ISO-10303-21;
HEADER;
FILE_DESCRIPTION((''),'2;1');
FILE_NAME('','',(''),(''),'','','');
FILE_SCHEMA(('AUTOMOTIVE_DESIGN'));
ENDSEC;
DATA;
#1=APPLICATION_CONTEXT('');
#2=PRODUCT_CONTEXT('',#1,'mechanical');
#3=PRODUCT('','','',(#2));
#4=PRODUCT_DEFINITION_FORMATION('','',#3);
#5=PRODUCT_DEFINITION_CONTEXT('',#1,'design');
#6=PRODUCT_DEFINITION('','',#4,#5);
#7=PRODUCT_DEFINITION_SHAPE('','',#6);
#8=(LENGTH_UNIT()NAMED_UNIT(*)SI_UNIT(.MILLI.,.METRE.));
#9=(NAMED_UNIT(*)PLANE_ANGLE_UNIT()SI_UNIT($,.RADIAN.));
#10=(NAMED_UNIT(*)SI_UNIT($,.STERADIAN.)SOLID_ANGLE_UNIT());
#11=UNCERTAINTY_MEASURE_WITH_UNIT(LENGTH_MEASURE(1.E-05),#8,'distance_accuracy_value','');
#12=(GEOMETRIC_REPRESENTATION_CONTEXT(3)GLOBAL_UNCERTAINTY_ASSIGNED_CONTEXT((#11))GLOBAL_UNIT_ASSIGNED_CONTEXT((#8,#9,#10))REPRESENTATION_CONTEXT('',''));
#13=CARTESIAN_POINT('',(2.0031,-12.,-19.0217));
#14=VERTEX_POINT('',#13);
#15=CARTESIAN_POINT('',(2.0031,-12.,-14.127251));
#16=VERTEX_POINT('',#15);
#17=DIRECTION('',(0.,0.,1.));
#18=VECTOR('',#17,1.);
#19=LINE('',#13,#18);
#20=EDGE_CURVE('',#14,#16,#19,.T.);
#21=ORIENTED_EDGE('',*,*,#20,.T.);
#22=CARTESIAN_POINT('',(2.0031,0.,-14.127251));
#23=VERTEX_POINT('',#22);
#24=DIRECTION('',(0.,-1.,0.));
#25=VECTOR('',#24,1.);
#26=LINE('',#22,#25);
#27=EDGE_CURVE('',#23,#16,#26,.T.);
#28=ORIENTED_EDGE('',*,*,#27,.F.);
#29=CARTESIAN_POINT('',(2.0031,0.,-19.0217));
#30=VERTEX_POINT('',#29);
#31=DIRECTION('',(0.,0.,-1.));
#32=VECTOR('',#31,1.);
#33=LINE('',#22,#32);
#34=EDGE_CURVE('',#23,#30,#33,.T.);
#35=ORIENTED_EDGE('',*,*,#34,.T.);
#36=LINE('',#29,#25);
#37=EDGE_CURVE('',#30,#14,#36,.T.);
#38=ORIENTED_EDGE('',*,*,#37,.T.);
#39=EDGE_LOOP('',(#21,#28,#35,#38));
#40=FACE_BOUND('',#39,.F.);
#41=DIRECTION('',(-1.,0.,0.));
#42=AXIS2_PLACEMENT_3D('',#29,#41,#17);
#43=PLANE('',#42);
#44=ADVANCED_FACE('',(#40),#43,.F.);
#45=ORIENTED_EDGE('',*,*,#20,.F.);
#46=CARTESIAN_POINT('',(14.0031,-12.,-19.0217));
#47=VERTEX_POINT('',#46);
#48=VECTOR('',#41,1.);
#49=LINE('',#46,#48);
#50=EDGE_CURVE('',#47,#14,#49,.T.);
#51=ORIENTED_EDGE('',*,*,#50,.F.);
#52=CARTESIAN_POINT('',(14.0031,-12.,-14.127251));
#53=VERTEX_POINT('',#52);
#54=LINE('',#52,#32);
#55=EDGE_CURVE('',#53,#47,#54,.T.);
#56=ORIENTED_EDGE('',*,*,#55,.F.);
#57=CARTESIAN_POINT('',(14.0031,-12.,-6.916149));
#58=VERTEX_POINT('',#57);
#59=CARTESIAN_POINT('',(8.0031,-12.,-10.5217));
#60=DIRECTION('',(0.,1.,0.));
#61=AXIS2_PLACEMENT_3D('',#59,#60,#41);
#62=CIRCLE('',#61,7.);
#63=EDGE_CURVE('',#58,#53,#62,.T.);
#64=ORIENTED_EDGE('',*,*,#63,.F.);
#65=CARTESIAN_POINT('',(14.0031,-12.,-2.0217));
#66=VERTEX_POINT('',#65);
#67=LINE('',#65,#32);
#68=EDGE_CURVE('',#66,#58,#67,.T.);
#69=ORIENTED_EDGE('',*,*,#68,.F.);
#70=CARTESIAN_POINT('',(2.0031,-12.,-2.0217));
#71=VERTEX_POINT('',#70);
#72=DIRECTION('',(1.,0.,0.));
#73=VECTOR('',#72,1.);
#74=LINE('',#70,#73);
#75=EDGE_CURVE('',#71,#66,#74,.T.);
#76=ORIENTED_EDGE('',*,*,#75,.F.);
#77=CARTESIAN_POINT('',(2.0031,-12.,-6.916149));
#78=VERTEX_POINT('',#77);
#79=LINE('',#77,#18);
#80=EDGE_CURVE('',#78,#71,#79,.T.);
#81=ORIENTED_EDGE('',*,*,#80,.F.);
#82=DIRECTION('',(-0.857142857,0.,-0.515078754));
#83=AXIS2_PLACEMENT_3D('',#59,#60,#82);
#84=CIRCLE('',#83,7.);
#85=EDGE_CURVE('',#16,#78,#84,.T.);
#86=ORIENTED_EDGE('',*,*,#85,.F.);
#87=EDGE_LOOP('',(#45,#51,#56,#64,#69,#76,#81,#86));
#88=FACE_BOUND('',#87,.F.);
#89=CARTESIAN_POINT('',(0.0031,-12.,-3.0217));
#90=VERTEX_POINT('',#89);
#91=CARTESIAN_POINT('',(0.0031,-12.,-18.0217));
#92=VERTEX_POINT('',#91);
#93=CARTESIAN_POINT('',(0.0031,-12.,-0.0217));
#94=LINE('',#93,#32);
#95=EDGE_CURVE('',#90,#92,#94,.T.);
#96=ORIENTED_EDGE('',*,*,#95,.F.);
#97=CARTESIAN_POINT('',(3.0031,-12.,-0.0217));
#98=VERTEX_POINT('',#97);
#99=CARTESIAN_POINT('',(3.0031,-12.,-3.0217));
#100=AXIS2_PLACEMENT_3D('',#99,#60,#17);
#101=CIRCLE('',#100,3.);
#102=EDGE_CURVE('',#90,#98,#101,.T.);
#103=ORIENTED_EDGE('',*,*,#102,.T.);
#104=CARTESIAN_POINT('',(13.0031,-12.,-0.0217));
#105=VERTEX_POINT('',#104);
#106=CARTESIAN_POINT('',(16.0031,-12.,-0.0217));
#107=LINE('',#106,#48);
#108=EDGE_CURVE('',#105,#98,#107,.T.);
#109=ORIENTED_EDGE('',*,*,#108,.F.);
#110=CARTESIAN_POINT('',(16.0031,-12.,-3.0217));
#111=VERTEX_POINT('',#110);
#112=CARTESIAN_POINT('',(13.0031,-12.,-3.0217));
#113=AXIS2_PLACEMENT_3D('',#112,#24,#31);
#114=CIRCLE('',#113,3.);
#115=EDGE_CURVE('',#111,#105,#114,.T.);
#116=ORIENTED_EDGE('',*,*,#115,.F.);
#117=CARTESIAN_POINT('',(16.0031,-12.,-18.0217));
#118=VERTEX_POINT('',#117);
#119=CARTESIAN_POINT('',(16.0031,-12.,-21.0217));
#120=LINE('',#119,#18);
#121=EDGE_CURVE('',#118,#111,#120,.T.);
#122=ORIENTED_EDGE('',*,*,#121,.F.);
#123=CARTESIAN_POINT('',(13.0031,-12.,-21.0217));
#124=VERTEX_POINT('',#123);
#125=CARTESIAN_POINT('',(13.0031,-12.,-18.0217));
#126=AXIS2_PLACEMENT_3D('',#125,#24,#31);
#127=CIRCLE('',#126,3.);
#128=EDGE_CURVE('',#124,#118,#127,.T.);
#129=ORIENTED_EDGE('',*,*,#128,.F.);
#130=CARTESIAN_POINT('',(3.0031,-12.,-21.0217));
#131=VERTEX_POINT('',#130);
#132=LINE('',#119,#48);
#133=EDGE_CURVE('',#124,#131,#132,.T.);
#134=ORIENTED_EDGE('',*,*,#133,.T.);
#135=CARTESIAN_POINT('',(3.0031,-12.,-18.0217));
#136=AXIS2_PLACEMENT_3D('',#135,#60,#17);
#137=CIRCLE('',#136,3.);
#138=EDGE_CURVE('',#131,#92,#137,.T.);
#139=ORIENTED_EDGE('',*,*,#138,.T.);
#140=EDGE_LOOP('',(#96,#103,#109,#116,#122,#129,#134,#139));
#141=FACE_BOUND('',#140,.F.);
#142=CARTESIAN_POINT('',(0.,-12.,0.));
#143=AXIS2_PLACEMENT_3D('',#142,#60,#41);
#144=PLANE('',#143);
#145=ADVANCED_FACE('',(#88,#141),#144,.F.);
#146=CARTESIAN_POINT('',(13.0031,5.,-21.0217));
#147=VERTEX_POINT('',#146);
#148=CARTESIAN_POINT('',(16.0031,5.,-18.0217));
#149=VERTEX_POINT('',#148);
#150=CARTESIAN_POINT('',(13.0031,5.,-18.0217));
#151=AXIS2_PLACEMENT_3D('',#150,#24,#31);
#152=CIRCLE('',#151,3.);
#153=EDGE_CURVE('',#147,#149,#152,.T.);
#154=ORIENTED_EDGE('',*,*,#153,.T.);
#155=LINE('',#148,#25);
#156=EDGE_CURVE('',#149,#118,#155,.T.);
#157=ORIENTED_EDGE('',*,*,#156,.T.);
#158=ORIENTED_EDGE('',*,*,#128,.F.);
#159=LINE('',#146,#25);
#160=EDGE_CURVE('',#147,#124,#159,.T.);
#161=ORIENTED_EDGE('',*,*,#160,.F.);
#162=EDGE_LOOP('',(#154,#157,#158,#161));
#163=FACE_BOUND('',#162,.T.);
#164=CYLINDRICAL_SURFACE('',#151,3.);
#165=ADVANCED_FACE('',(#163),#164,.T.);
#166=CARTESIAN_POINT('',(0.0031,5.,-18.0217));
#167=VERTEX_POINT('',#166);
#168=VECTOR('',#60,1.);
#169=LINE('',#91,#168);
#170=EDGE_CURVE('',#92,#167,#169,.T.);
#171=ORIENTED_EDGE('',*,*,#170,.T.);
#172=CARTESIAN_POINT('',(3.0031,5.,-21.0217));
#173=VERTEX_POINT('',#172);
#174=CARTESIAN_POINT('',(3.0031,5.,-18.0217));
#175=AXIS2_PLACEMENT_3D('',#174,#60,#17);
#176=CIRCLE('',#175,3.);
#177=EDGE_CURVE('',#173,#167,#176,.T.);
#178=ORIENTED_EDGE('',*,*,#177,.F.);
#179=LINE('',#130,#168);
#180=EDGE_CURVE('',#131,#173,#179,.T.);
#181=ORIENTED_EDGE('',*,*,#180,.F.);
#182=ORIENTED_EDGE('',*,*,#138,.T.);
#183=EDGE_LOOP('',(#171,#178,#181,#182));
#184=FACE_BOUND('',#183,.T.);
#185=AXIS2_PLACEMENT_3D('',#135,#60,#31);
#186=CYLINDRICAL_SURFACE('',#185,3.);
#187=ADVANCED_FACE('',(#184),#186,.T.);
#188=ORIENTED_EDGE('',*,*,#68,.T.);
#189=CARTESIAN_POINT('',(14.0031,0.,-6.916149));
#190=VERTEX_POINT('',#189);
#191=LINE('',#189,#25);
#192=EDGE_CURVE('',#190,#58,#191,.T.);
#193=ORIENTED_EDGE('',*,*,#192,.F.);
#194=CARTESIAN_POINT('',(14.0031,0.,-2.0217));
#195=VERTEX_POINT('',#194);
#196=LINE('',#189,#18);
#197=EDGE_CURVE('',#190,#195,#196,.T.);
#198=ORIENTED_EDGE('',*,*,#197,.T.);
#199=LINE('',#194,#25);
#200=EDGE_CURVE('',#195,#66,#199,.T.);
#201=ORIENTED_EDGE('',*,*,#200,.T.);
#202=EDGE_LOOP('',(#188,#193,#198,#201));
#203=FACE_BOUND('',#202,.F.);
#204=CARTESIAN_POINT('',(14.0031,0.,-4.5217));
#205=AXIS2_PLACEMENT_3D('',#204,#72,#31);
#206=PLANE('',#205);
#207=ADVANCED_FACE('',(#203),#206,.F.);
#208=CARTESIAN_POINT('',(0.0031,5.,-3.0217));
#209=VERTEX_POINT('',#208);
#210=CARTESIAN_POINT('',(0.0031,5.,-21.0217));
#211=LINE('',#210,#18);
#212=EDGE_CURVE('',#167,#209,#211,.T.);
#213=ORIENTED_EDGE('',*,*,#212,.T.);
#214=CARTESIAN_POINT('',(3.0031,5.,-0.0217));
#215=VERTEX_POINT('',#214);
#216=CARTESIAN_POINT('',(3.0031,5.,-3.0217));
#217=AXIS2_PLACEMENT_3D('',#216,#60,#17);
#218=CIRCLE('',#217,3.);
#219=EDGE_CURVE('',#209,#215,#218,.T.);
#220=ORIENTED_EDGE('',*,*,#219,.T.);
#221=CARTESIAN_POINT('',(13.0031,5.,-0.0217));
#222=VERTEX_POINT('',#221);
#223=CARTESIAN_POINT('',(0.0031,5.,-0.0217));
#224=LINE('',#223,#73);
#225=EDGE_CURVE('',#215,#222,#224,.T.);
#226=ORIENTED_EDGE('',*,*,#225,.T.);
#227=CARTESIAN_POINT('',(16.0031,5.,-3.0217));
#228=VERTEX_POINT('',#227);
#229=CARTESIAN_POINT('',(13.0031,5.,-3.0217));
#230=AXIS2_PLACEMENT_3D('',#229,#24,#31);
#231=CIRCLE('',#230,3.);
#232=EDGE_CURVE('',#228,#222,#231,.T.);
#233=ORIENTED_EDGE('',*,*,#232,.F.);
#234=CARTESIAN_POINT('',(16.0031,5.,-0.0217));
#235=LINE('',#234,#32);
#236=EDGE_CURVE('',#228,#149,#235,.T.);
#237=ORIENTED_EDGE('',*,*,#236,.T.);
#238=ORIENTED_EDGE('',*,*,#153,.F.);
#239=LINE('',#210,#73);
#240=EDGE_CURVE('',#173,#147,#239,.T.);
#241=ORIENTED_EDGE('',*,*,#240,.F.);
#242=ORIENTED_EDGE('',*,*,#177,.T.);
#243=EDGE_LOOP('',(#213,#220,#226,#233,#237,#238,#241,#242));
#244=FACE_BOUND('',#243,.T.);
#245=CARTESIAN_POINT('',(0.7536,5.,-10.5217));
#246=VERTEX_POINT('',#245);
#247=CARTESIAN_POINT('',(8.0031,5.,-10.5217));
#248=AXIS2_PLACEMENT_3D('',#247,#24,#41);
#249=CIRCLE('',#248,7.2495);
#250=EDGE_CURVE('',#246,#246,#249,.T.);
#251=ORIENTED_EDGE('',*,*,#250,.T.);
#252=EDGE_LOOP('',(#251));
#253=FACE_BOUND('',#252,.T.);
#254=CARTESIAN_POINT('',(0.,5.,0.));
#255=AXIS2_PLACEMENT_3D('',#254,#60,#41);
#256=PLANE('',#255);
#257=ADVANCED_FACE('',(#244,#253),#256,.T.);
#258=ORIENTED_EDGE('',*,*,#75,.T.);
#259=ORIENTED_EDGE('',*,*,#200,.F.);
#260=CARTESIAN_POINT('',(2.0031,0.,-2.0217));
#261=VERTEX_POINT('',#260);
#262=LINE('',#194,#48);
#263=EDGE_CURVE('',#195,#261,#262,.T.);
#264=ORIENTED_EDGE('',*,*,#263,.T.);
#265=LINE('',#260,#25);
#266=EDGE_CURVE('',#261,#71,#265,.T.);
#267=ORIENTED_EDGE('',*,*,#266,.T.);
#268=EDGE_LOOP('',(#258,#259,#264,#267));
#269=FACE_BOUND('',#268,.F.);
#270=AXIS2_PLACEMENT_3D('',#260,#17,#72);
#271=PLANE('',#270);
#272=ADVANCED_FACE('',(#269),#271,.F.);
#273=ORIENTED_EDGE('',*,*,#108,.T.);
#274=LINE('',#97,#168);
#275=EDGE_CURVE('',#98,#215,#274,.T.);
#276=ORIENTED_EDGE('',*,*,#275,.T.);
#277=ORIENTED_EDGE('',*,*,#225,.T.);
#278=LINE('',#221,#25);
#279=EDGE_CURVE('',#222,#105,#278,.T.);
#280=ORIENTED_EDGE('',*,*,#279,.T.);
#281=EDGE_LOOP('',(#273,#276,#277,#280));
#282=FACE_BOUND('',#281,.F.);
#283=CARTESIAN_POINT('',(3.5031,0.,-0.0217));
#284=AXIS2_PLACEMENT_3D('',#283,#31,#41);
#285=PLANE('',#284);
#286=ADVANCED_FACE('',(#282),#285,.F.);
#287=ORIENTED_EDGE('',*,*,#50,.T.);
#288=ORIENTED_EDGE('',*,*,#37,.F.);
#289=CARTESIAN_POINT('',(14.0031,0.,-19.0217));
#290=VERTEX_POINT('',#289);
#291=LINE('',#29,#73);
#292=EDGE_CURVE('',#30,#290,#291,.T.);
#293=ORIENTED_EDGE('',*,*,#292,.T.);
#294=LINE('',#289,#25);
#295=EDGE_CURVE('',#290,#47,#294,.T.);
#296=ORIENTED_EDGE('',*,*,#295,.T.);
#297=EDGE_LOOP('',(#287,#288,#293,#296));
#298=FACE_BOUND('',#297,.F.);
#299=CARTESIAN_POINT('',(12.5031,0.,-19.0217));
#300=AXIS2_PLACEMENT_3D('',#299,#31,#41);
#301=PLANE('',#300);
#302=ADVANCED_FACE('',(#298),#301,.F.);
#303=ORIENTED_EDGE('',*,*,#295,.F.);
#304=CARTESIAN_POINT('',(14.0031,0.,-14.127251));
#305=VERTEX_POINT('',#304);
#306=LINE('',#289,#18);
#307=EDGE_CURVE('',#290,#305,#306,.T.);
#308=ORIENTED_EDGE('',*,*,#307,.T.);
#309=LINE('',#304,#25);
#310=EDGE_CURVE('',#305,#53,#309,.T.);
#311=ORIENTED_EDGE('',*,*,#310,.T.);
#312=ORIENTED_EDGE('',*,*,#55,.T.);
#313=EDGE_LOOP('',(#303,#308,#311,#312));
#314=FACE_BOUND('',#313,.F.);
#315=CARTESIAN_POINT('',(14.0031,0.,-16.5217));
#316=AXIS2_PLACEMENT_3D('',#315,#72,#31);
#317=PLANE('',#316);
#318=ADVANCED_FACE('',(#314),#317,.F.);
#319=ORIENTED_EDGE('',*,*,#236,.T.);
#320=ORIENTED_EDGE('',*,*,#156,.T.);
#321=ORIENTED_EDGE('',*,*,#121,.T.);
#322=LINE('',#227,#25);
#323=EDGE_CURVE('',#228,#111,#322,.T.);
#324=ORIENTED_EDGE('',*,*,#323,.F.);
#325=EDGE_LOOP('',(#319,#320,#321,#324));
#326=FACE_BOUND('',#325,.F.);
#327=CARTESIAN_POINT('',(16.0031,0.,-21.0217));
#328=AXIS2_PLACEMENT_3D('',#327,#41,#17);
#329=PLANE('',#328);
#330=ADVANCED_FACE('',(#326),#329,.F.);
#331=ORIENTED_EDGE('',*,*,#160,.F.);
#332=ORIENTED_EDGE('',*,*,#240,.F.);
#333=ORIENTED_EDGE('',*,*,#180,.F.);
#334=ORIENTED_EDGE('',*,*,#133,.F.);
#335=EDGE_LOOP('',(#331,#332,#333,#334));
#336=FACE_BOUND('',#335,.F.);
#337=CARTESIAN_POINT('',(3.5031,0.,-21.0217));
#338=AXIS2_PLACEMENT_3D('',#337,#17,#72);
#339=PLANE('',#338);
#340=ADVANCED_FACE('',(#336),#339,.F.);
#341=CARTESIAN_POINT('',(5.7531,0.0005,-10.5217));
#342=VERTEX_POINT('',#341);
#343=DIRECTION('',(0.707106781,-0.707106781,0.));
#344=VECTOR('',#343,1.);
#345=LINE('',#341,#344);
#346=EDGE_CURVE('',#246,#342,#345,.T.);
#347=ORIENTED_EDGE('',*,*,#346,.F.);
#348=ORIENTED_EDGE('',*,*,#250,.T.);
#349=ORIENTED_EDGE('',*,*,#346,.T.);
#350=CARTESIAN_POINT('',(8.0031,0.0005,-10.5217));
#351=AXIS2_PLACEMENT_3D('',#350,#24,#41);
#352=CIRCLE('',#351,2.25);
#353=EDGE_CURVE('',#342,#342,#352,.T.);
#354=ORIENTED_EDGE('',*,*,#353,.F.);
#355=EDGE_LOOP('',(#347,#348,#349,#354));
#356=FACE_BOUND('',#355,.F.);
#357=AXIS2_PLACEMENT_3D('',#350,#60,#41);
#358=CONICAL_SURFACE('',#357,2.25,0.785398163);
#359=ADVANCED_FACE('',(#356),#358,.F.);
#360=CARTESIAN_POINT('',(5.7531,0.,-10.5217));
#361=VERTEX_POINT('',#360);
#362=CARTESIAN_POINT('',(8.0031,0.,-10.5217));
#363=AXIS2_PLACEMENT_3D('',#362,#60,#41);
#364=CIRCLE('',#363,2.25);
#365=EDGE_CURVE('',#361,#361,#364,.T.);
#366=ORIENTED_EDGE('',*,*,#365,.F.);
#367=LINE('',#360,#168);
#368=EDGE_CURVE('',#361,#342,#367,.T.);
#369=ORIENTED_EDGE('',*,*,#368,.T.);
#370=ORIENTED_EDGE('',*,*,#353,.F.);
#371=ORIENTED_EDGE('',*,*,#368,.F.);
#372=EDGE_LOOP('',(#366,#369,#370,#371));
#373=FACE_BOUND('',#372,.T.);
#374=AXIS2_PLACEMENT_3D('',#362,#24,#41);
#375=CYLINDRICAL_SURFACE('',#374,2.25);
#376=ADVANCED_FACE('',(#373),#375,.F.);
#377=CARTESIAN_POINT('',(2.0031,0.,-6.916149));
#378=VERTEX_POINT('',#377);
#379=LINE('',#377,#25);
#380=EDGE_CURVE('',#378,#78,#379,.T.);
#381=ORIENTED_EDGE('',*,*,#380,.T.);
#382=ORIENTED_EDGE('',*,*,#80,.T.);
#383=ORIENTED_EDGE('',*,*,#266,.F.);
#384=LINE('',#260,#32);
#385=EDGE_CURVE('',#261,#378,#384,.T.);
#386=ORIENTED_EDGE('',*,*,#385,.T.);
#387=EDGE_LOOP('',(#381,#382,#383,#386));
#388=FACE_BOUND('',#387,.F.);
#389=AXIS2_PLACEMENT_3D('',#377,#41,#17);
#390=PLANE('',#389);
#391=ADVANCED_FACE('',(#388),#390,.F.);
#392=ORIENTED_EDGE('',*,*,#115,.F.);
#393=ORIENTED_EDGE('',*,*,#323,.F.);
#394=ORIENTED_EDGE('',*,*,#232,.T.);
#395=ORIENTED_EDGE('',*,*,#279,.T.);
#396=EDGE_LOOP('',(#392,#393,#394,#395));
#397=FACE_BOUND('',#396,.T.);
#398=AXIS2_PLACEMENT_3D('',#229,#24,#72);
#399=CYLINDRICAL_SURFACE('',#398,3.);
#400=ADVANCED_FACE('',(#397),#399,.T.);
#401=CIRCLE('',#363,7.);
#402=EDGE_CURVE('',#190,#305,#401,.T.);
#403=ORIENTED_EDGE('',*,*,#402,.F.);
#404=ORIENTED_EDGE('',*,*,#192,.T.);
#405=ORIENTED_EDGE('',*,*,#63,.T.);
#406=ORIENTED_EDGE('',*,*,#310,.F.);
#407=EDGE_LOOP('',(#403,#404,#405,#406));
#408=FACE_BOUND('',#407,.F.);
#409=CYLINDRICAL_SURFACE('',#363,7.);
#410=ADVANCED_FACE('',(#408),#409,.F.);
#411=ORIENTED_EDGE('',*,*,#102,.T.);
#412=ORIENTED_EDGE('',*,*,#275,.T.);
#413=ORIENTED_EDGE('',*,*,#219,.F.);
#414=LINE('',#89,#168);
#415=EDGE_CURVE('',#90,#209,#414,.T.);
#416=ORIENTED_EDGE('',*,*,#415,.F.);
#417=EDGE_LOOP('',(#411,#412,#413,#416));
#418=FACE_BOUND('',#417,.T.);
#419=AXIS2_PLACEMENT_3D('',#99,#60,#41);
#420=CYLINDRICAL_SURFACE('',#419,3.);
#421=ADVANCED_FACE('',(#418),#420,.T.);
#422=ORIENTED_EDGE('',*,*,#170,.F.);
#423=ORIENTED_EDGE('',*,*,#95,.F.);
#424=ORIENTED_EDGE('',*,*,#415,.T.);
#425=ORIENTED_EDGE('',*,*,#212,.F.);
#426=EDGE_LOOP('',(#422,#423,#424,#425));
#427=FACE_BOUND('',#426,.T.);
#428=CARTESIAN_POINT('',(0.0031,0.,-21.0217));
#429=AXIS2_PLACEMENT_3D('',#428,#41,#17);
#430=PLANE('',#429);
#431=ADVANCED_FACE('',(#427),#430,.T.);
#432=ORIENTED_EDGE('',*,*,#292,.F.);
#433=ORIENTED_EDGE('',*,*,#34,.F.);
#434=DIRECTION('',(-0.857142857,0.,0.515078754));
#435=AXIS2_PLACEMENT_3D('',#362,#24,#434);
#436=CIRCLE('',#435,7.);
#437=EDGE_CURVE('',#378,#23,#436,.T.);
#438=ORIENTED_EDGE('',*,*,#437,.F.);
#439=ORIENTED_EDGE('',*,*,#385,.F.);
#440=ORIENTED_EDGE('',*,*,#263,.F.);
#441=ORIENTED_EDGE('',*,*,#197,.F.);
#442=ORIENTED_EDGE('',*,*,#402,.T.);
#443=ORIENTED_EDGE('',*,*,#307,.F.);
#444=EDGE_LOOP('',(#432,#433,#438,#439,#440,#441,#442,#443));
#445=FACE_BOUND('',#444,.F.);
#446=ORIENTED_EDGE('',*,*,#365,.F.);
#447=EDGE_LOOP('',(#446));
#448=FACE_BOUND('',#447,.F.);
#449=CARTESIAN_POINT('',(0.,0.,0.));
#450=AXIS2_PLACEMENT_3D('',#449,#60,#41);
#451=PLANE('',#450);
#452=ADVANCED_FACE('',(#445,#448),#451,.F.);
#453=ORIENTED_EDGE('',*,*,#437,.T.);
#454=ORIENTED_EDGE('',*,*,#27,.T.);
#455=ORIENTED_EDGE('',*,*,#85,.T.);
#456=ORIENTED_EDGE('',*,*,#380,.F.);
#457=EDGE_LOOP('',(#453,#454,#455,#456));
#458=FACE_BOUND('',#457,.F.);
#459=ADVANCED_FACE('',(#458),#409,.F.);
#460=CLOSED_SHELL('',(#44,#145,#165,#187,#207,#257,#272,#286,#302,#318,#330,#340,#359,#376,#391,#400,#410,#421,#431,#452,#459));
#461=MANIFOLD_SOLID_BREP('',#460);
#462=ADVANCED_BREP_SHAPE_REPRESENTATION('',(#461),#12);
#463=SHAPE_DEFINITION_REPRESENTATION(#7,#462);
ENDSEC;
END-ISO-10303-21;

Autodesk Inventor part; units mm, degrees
ref_plane "YZ Plane" through (0, 0, 0) normal (1, 0, 0) x (0, 1, 0)
ref_plane "XZ Plane" through (0, 0, 0) normal (0, 1, 0) x (-1, 0, 0)
ref_plane "XY Plane" through (0, 0, 0) normal (0, 0, 1) x (1, 0, 0)
sketch "스케치1" plane through (0, 0, 0) normal (0, 1, 0) x (-1, 0, 0)
  line L0 (-3.5031, -21.0217) -> (-3.5031, -19.0217)
  line L1 (-2.5031, -19.0217) -> (-2.5031, -16.0217)
  line L2 (-2.0031, -16.5217) -> (-0.0031, -16.5217)
  line L3 (-12.5031, -19.0217) -> (-12.5031, -21.0217)
  line L4 (-13.5031, -16.0217) -> (-13.5031, -19.0217)
  line L5 (-13.5031, -19.0217) -> (-2.5031, -19.0217)
  line L6 (-2.5031, -16.0217) -> (-13.5031, -16.0217)
  line L7 (-14.0031, -19.0217) -> (-2.0031, -19.0217)
  line L8 (-16.0031, -16.5217) -> (-14.0031, -16.5217)
  line L9 (-0.0031, -21.0217) -> (-16.0031, -21.0217)
  circle A0 centre (-8.0031, -10.5217) radius 5
  line L10 (-0.0031, -21.0217) -> (-0.0031, -0.0217)
  line L11 (-16.0031, -21.0217) -> (-16.0031, -0.0217)
  circle A1 centre (-8.0031, -10.5217) radius 7
  line L12 (-14.0031, -2.0217) -> (-14.0031, -19.0217)
  line L13 (-2.0031, -19.0217) -> (-2.0031, -2.0217)
  line L14 (-2.0031, -4.5217) -> (-0.0031, -4.5217)
  line L15 (-3.5031, -2.0217) -> (-3.5031, -0.0217)
  line L16 (-12.5031, -2.0217) -> (-12.5031, -0.0217)
  line L17 (-14.0031, -4.5217) -> (-16.0031, -4.5217)
  line L18 (-2.0031, -2.0217) -> (-14.0031, -2.0217)
  line L19 (-16.0031, -0.0217) -> (-0.0031, -0.0217)
  circle A2 centre (-8.0031, -10.5217) radius 2.25
  point P0 (0, 0)
  point P1 (-2.0031, -6.9161)
  point P2 (-2.0031, -14.1272)
  point P3 (-14.0031, -14.1272)
  point P4 (-14.0031, -6.9161)
  dimension "d0" = 21
  dimension "d1" = 4.5
  dimension "d19" = 17
  dimension "d20" = 12
  dimension "d21" = 10
extrude "돌출2" add sketch "스케치1" against normal blind 12 contours L9 L3 L5 L0 | L0 L5 L7 L13 L2 L10 L9 | L9 L11 L8 L12 L7 L5 L3 | L2 L13 A1 L14 L10 | L14 L13 L18 L15 L19 L10 | L11 L17 L12 A1 L8 | L11 L19 L16 L18 L12 L17 | L15 L18 L16 L19
extrude "돌출3" add sketch "스케치1" along normal blind 5 contours L9 L3 L5 L0 | L0 L5 L7 L13 L2 L10 L9 | L5 L4 L6 A1 L1 | L9 L11 L8 L12 L7 L5 L3 | L1 L6 A1 L13 L7 | L2 L13 A1 L14 L10 | L7 L12 A1 L6 L4 | L14 L13 L18 L15 L19 L10 | L11 L17 L12 A1 L8 | A1 L6 | L6 A1 L12 L13 | L13 A1 | L13 A1 L12 L18 | L11 L19 L16 L18 L12 L17 | L15 L18 L16 L19 | A1 L12 | A0 | A2
extrude "돌출4" cut sketch "스케치1" along normal blind 13 contours A2
sketch "스케치2" plane through (0, 5, 0) normal (0, 1, 0) x (1, 0, 0)
  point P0 (0, 0)
  point P1 (8.0031, 10.5217)
sketch "스케치3" plane through (0, 5, 0) normal (0, 1, 0) x (1, 0, 0)
  circle A0 centre (8.0031, 10.5217) radius 2.25 projected
  circle A1 centre (8.0031, 10.5217) radius 5
  point P0 (0, 0)
  dimension "d10" = 10
fillet "모깎기1" radius 3 4 edges at (16.0031, -3.5, -21.0217) (0.0031, -3.5, -21.0217) (16.0031, -3.5, -0.0217) (0.0031, -3.5, -0.0217)
chamfer "모따기1" distance 5 angle 45 1 edges at (10.2531, 5, -10.5217) measured on face at (1.9198, 5, -10.5217)
properties part number "센서부 90"
